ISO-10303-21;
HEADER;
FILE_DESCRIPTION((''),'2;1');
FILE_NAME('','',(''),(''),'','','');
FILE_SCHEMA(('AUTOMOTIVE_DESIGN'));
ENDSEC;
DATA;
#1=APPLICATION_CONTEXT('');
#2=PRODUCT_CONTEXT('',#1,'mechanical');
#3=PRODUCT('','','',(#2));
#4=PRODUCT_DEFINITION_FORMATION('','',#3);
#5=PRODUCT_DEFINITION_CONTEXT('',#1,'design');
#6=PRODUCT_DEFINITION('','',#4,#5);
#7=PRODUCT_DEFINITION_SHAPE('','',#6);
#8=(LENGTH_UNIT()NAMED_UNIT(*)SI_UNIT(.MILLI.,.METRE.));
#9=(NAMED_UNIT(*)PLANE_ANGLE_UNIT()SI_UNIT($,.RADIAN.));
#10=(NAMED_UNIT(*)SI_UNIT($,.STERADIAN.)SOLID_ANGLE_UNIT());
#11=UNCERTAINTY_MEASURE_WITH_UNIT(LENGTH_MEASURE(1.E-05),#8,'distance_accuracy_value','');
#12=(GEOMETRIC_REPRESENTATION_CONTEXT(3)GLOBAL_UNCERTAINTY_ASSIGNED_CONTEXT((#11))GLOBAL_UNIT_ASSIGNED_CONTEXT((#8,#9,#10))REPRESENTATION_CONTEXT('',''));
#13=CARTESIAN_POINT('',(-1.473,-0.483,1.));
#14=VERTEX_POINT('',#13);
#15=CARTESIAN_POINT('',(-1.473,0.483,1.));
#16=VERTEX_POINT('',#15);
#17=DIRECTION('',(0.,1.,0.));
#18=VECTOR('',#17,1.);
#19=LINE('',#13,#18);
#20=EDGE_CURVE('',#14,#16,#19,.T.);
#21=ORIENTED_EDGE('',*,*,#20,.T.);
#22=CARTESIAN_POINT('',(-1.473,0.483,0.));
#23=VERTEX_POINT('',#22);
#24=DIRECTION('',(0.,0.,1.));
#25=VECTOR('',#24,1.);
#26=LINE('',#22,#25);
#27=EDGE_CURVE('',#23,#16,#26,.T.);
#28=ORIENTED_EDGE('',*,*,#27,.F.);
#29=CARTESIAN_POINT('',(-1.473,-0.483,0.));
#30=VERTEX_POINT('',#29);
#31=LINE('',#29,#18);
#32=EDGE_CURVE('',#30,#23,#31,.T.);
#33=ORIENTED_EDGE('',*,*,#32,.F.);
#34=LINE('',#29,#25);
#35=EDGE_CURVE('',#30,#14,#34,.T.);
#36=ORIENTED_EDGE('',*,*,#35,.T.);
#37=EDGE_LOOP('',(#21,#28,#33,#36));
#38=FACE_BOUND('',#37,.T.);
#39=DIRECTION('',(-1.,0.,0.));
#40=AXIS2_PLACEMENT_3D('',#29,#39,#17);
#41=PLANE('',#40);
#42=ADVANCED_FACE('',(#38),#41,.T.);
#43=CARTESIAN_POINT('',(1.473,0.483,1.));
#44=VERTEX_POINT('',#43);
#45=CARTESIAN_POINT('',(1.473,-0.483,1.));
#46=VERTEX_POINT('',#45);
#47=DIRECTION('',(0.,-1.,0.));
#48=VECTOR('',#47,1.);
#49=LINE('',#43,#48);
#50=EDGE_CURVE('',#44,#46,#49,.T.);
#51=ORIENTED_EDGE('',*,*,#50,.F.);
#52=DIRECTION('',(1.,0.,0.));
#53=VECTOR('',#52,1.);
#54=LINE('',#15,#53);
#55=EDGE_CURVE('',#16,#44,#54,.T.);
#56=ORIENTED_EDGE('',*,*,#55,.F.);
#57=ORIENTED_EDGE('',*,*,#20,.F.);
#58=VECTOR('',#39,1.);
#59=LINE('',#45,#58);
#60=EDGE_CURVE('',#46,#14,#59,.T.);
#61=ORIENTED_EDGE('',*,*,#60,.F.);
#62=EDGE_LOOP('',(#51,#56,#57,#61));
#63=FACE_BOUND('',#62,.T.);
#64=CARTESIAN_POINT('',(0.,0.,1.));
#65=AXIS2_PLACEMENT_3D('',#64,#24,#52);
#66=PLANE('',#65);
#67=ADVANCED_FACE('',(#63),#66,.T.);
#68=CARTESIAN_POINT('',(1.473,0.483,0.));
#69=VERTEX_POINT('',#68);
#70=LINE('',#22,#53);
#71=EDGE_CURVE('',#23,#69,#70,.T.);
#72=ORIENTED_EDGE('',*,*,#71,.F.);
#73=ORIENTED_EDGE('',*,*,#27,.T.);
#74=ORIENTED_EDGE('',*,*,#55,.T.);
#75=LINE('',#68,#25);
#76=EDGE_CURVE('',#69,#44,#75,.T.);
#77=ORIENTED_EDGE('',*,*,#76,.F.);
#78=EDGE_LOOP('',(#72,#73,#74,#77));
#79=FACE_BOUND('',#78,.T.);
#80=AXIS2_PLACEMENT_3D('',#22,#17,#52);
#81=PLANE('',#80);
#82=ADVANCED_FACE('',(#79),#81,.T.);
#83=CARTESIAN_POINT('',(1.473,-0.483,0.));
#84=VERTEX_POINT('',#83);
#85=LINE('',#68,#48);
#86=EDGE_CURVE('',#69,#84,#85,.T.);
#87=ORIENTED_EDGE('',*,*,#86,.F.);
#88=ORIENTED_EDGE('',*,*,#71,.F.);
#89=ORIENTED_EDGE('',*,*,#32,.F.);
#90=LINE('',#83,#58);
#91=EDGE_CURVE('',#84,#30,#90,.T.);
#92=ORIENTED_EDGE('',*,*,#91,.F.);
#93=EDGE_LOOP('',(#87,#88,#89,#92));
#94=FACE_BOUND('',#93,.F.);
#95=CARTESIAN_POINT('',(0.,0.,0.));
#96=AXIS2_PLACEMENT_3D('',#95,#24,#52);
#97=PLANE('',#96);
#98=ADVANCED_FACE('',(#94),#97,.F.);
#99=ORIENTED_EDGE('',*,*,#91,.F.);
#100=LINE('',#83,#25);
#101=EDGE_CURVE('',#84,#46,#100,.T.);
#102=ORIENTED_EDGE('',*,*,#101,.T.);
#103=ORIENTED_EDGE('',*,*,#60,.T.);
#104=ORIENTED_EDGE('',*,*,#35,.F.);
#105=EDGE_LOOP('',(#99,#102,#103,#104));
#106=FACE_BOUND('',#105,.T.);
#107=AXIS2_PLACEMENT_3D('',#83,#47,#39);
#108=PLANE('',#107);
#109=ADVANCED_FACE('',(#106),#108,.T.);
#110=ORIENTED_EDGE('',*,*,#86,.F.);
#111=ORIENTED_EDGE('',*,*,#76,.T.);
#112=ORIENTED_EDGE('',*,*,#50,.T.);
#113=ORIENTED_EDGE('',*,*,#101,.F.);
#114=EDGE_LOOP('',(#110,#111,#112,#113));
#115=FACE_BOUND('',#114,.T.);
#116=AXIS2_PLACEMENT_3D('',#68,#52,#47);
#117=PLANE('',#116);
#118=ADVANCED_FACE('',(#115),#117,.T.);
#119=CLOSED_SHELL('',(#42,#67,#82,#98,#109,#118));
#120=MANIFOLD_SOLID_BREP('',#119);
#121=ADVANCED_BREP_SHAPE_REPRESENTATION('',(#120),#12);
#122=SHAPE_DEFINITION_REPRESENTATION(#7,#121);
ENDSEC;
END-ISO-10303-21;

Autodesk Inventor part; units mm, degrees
ref_plane "YZ Plane" through (0, 0, 0) normal (1, 0, 0) x (0, 1, 0)
ref_plane "XZ Plane" through (0, 0, 0) normal (0, 1, 0) x (-1, 0, 0)
ref_plane "XY Plane" through (0, 0, 0) normal (0, 0, 1) x (1, 0, 0)
sketch "0402-CAP, 0_1UF_3" plane through (0, 0, 0) normal (0, 0, 1) x (1, 0, 0)
  line L0 (-1.473, 0.483) -> (1.473, 0.483)
  line L1 (1.473, 0.483) -> (1.473, -0.483)
  line L2 (1.473, -0.483) -> (-1.473, -0.483)
  line L3 (-1.473, -0.483) -> (-1.473, 0.483)
extrude "Extrusion1" add sketch "0402-CAP, 0_1UF_3" along normal blind 1
properties part number "0_1UF"
